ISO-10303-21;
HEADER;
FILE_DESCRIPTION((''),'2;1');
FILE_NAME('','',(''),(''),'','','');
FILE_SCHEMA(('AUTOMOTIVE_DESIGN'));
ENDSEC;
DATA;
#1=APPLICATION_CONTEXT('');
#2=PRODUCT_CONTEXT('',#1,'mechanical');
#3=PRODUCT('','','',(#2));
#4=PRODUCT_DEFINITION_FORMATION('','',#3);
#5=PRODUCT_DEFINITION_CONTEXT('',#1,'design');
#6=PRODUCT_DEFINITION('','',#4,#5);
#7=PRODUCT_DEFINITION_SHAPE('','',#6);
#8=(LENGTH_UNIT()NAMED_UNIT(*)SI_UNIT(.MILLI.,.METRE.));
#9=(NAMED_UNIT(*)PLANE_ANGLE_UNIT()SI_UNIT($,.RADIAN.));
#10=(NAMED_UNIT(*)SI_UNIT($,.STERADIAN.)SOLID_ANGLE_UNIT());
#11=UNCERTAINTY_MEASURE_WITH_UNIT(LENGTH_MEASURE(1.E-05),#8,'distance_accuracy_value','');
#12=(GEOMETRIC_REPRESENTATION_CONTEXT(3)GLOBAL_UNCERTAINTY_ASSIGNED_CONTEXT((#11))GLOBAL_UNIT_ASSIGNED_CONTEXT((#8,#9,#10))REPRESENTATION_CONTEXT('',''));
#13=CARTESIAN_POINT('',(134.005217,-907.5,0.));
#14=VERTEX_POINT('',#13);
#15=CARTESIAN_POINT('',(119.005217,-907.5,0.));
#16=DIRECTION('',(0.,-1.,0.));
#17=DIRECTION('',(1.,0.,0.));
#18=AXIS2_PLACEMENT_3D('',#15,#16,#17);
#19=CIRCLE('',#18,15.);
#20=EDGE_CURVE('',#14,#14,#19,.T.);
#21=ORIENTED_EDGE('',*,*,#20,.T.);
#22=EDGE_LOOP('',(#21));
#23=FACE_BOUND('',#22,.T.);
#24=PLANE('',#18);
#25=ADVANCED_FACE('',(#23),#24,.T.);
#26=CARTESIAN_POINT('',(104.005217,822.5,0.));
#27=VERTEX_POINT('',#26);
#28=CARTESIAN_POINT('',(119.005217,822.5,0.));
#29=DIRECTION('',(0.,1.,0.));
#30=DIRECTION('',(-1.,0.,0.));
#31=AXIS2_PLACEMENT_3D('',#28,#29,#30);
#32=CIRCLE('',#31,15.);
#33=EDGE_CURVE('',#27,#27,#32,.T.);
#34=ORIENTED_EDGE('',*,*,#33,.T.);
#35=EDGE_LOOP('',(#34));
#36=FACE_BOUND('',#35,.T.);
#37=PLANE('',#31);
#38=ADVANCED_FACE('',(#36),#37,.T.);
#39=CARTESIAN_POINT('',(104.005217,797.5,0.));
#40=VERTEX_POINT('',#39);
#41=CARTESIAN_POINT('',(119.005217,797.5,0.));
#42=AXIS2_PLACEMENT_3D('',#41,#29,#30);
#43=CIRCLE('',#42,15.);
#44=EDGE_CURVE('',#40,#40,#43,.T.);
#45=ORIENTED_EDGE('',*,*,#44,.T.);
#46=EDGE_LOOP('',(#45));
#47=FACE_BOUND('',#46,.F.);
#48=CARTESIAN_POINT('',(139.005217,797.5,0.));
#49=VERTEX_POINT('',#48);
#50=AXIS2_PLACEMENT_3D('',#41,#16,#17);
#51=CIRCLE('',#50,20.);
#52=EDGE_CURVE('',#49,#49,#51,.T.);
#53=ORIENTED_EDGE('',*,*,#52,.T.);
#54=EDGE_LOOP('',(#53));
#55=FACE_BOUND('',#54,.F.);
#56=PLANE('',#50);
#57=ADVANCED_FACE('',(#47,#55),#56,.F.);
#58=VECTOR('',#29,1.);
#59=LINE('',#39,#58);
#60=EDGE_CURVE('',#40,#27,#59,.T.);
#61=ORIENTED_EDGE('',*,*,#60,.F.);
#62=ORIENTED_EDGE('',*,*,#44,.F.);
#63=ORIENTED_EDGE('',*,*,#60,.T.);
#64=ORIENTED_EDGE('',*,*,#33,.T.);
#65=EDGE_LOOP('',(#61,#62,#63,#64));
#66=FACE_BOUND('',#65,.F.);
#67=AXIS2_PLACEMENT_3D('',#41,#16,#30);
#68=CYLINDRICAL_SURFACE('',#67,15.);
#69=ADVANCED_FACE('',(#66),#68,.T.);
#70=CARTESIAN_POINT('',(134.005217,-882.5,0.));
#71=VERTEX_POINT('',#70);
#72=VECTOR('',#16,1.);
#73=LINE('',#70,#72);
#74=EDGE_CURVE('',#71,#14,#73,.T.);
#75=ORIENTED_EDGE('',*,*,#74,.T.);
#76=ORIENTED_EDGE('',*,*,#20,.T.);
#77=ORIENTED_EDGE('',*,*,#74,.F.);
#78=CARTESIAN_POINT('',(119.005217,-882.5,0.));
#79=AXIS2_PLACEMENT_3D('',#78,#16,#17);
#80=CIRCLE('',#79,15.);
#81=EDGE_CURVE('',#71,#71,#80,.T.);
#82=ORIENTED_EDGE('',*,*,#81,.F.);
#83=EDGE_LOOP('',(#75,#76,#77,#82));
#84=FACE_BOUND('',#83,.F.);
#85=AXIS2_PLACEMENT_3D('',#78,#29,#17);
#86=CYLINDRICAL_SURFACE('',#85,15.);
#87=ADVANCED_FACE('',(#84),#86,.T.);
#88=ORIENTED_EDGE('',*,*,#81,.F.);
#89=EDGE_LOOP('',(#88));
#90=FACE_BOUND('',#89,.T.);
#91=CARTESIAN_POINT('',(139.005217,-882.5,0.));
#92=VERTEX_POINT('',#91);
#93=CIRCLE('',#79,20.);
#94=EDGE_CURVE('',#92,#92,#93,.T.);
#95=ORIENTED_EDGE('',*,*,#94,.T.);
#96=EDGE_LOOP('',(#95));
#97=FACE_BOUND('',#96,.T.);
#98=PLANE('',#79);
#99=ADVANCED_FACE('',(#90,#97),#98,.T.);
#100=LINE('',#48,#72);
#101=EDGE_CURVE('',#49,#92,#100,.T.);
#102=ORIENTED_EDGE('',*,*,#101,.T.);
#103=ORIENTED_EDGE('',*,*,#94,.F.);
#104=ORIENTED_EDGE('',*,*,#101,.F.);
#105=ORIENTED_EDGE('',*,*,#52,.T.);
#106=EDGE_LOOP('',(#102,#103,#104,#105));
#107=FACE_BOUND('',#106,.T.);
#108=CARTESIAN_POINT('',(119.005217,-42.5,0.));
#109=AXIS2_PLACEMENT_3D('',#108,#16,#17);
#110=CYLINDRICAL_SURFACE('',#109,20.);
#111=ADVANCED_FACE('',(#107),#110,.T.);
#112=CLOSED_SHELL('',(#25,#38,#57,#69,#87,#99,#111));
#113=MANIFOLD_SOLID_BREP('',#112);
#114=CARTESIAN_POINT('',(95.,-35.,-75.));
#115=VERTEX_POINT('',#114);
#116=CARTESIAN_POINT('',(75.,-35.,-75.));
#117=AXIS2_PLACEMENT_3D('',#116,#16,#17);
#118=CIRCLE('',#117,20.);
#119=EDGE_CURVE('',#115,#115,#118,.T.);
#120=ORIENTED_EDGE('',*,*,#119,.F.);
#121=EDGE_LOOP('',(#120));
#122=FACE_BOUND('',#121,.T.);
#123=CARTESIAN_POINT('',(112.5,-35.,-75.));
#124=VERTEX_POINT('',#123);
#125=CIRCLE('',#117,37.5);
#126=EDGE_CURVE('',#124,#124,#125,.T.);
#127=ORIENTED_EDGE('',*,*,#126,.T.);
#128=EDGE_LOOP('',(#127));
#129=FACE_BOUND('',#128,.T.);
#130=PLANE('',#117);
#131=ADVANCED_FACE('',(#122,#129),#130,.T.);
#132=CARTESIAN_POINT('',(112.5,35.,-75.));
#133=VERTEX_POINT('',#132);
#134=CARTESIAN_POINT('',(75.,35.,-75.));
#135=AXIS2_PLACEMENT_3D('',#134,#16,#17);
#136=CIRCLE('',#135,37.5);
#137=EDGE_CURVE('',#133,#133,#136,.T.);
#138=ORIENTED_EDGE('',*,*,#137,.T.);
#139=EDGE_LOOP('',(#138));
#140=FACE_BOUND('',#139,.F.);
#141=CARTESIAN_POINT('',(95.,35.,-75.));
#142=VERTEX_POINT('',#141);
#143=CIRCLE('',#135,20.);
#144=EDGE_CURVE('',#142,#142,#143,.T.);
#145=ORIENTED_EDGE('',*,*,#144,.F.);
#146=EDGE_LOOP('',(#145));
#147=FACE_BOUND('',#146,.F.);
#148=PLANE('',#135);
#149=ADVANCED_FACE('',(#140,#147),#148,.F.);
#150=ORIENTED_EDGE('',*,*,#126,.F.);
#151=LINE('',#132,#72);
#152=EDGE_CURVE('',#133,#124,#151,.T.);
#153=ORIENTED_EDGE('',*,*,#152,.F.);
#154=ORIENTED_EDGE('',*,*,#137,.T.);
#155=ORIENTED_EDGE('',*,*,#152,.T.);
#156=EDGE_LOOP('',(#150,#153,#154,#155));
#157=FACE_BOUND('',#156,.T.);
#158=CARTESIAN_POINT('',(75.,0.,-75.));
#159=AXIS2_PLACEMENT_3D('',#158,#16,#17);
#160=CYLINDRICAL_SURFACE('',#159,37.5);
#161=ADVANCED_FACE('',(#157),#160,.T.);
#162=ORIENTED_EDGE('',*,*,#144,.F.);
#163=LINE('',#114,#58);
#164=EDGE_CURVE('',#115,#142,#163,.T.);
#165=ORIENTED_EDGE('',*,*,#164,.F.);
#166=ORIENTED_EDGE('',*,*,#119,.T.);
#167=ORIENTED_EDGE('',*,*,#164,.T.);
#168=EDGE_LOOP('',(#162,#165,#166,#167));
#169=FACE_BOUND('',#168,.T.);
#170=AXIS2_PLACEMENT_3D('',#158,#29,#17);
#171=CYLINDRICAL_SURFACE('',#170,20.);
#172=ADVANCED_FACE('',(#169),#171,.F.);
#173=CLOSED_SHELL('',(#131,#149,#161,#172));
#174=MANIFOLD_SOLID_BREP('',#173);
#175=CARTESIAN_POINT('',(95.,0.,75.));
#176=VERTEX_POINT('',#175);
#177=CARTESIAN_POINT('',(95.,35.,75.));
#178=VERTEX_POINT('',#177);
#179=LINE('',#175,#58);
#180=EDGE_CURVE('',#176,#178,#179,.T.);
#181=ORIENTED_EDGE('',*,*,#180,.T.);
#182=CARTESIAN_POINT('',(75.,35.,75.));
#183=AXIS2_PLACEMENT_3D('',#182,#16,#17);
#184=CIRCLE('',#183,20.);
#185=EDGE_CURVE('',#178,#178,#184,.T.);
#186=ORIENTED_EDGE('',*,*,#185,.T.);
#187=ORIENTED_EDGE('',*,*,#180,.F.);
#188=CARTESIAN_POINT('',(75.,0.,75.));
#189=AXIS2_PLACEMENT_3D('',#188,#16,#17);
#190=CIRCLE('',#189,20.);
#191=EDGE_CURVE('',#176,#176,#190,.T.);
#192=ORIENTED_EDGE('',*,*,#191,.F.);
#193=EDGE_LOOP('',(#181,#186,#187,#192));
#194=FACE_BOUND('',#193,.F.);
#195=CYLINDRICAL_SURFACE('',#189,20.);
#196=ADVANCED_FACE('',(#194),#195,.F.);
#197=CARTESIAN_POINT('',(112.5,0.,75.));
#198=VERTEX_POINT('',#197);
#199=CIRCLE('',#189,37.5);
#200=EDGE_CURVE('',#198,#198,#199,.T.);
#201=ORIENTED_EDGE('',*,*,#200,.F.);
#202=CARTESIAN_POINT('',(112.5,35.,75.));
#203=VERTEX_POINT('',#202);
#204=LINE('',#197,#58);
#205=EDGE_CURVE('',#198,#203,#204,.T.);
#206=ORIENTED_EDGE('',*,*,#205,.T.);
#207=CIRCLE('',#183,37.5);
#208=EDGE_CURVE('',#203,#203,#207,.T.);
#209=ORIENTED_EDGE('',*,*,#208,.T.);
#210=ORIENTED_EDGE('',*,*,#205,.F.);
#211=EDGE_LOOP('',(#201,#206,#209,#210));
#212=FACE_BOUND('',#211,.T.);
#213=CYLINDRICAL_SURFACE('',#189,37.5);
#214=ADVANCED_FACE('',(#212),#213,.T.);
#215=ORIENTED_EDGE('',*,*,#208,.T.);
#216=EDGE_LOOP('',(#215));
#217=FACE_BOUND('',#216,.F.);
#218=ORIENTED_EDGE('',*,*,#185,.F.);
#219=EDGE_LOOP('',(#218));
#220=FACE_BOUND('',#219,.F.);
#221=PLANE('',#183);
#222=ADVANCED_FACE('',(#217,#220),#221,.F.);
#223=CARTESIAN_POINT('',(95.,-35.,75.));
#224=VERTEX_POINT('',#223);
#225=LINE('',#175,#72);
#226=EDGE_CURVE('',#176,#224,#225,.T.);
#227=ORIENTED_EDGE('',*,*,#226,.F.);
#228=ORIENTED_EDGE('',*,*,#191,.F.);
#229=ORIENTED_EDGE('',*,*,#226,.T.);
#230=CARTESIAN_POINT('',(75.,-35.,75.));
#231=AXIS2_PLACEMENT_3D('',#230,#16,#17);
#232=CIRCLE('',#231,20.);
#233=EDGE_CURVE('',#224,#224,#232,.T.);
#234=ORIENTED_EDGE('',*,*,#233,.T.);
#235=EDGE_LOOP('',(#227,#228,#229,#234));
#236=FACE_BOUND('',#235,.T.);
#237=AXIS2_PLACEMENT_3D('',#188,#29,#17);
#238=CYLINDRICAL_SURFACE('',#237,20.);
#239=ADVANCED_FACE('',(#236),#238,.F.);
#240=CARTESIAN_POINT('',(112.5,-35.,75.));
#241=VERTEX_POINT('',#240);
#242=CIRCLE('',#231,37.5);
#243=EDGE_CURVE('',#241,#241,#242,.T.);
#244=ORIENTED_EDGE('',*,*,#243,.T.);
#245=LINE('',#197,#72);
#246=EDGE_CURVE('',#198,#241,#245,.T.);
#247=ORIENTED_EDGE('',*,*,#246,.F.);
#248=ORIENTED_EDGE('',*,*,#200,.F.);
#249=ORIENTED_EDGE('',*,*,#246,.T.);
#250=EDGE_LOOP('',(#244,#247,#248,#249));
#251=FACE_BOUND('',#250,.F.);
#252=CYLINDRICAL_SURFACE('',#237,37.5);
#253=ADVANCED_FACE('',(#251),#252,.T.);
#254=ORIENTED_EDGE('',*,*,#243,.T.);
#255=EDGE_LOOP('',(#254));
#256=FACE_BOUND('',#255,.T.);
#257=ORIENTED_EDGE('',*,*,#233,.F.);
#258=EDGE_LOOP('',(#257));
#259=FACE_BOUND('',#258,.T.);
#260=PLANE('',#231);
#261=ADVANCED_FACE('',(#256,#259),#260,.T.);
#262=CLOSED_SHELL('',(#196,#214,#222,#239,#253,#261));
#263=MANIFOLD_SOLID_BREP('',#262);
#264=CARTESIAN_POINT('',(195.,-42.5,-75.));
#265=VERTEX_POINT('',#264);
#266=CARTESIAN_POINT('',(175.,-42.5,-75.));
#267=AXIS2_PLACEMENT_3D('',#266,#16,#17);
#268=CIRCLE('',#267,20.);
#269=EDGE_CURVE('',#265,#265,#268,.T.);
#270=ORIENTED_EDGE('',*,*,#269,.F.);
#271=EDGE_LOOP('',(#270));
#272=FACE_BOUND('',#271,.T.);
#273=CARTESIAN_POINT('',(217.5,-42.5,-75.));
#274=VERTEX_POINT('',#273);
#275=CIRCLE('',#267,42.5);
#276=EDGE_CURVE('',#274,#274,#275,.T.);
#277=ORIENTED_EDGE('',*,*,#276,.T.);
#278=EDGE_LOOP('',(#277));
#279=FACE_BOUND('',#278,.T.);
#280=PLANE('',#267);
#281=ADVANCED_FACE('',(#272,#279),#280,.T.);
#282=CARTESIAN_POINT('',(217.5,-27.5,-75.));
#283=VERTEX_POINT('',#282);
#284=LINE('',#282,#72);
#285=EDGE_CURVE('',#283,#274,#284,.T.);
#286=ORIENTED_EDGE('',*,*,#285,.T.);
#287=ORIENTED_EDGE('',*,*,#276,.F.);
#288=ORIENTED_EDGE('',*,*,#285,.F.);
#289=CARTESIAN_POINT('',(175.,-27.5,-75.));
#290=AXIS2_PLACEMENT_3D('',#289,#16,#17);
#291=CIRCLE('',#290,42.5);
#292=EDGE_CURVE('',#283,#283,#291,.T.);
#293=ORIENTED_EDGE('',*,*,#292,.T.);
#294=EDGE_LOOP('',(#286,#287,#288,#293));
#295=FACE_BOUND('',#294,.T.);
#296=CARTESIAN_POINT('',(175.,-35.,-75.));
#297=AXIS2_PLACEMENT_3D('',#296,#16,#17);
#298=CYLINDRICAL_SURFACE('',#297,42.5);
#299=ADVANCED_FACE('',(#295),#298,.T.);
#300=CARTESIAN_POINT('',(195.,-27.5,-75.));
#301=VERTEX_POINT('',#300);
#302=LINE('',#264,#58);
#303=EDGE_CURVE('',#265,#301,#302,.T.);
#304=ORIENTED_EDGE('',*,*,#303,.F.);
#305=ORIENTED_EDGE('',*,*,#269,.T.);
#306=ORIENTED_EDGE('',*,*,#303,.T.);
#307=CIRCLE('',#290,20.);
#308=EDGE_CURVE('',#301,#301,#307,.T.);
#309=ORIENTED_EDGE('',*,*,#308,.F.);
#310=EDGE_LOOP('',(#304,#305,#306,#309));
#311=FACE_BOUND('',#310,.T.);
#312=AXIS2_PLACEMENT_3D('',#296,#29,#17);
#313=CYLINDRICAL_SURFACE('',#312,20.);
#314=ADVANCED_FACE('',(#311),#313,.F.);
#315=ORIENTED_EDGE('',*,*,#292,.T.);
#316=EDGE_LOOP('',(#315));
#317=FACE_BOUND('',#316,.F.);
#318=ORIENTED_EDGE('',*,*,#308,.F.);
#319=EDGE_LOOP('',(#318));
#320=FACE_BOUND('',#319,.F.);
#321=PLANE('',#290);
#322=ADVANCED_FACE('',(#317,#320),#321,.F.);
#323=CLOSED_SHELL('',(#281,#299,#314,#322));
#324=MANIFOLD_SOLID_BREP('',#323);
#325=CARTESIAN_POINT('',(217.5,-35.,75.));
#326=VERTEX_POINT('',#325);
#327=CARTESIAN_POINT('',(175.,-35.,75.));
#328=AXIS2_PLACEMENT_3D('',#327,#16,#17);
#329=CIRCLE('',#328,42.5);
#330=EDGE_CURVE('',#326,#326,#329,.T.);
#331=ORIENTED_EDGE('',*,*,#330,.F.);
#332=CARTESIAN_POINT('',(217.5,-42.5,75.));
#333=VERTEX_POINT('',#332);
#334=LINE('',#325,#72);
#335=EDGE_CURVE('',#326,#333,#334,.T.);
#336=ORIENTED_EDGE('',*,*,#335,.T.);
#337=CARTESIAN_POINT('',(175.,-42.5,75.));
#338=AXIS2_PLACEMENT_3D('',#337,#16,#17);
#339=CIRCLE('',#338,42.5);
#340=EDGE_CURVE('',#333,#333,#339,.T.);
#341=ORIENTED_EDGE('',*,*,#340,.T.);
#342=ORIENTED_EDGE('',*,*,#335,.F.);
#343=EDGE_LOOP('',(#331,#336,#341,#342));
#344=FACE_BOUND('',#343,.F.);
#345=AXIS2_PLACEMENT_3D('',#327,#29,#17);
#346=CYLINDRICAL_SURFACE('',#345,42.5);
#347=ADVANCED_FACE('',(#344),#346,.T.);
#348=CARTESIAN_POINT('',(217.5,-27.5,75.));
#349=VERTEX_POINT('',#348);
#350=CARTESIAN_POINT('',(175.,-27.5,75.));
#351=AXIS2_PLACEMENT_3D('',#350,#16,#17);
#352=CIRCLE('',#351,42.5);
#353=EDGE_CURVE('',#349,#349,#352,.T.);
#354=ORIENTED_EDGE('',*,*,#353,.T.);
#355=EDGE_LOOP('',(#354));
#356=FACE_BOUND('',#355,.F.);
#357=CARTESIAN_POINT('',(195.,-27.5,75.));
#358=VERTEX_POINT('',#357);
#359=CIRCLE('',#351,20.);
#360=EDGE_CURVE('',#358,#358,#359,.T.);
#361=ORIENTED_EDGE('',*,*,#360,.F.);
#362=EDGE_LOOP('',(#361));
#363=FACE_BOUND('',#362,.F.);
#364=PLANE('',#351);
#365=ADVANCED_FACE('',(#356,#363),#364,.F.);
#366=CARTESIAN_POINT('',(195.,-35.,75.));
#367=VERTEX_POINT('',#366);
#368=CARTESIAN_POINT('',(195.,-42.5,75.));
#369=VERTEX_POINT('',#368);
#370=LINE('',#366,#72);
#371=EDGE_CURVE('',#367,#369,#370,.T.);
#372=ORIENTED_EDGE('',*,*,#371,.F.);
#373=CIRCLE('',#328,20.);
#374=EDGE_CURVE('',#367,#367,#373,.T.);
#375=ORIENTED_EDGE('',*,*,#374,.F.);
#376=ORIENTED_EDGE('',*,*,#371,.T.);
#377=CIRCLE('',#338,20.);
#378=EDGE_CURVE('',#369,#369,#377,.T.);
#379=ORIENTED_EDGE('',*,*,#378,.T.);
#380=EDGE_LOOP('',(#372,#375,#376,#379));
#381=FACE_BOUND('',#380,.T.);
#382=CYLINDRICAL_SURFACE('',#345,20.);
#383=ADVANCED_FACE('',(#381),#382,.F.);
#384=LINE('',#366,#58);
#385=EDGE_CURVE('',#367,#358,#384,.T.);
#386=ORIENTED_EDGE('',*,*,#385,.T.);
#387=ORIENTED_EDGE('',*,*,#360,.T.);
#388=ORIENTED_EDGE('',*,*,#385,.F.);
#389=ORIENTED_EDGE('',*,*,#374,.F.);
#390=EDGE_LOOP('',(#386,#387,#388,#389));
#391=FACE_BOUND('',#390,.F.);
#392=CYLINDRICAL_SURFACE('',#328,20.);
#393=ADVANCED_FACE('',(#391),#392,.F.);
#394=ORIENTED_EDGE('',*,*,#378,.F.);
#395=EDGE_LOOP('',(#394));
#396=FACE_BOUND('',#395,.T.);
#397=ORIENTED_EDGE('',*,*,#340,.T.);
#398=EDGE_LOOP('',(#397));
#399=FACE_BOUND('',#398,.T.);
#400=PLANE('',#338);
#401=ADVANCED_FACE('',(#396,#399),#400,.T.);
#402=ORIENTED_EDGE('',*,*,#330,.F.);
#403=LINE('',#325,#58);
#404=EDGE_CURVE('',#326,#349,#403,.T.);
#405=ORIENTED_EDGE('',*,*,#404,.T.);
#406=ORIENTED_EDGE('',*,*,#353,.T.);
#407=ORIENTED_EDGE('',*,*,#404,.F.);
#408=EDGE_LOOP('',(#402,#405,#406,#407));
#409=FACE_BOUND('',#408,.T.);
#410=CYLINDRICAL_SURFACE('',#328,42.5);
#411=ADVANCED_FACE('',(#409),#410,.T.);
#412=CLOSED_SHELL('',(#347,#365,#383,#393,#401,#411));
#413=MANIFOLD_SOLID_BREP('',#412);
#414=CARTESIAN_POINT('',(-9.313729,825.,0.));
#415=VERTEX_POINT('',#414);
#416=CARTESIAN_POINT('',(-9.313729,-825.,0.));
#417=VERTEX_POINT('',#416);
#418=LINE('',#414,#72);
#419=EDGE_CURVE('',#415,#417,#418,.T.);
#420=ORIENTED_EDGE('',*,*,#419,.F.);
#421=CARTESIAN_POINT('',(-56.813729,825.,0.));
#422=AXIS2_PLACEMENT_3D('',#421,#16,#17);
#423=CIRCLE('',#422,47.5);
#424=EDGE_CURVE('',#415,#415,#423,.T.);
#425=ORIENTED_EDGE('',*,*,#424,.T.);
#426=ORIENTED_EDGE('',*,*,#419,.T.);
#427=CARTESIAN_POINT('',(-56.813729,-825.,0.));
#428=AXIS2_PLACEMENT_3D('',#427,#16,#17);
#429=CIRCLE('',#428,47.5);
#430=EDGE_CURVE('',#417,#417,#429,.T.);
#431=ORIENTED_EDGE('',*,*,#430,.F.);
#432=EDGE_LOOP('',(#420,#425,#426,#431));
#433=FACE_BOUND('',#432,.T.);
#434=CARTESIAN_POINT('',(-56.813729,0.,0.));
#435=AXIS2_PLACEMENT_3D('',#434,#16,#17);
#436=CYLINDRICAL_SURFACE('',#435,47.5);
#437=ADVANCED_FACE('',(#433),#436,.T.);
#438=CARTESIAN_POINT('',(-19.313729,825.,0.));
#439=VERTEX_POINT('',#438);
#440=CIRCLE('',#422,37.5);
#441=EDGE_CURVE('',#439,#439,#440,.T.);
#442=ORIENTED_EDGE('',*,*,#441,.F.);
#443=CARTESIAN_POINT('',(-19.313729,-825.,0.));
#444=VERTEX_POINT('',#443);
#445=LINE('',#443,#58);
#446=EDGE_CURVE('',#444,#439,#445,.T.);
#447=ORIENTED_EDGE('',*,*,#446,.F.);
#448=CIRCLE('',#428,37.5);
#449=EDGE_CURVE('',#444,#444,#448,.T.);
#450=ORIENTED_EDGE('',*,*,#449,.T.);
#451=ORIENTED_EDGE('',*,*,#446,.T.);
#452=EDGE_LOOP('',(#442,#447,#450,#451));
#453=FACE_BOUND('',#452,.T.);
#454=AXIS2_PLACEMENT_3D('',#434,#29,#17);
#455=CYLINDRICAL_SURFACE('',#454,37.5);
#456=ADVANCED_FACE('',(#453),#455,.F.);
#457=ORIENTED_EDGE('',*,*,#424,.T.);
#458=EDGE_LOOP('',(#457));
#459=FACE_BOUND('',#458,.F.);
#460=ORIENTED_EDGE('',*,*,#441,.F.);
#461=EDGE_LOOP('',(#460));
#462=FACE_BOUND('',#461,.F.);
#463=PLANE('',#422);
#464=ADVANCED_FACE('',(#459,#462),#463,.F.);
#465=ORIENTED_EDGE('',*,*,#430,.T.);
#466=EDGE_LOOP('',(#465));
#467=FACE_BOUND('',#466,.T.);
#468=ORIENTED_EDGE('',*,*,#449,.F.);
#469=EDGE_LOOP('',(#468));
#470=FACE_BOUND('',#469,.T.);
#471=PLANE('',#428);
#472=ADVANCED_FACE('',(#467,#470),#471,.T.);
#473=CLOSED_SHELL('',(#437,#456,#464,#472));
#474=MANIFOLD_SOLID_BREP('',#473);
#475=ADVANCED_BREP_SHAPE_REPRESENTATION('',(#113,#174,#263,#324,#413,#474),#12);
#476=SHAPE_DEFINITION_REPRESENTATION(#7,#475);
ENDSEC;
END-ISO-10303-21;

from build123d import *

# Parameters (mm, degrees)
F0_R      = 47.5
F0_R_2    = 37.5
F1_DEPTH  = 825
F2_R      = 37.5
F2_R_2    = 20
F3_DEPTH  = 35
F4_R      = 42.5
F4_R_2    = 20
F5_DEPTH  = 7.5
F6_R      = 20
F7_DEPTH  = 840
F8_R      = 15
F9_DEPTH  = 25
F10_R     = 15
F11_DEPTH = 25


with BuildPart() as f1:
    # F0 (on Front) → F1 (new body, symmetric)
    with BuildSketch(Plane.XZ):
        with Locations((-56.813729, 0)):
            Circle(F0_R)
        with Locations((-56.813729, 0)):
            Circle(F0_R_2, mode=Mode.SUBTRACT)
    extrude(amount=F1_DEPTH, both=True)


with BuildPart() as f3:
    # F2 (on Front) → F3 (new body, symmetric)
    with BuildSketch(Plane.XZ):
        with Locations((75, 75)):
            Circle(F2_R)
        with Locations((75, 75)):
            Circle(F2_R_2, mode=Mode.SUBTRACT)
        with Locations((75, -75)):
            Circle(F2_R)
        with Locations((75, -75)):
            Circle(F2_R_2, mode=Mode.SUBTRACT)
    extrude(amount=F3_DEPTH, both=True)


with BuildPart() as f5:
    # F4 (on face) → F5 (new body, symmetric)
    with BuildSketch(Plane.XZ.offset(35)):
        with Locations((175, 75)):
            Circle(F4_R)
        with Locations((175, 75)):
            Circle(F4_R_2, mode=Mode.SUBTRACT)
        with Locations((175, -75)):
            Circle(F4_R)
        with Locations((175, -75)):
            Circle(F4_R_2, mode=Mode.SUBTRACT)
    extrude(amount=F5_DEPTH, both=True)


with BuildPart() as f7:
    # F6 (on face) → F7 (new body, symmetric)
    with BuildSketch(Plane.XZ.offset(42.5)):
        with Locations((119.005217, 0)):
            Circle(F6_R)
    extrude(amount=F7_DEPTH, both=True)

    # F8 (on face) → F9 (join)
    with BuildSketch(Plane.XZ.offset(882.5)):
        with Locations((119.005217, 0)):
            Circle(F8_R)
    extrude(amount=F9_DEPTH)

    # F10 (on face) → F11 (join)
    with BuildSketch(Plane(origin=(0, 797.5, 0), x_dir=(-1, 0, 0), z_dir=(0, 1, 0))):
        with Locations((-119.005217, 0)):
            Circle(F10_R)
    extrude(amount=F11_DEPTH)


solid = Compound([f1.part, f3.part, f5.part, f7.part])
